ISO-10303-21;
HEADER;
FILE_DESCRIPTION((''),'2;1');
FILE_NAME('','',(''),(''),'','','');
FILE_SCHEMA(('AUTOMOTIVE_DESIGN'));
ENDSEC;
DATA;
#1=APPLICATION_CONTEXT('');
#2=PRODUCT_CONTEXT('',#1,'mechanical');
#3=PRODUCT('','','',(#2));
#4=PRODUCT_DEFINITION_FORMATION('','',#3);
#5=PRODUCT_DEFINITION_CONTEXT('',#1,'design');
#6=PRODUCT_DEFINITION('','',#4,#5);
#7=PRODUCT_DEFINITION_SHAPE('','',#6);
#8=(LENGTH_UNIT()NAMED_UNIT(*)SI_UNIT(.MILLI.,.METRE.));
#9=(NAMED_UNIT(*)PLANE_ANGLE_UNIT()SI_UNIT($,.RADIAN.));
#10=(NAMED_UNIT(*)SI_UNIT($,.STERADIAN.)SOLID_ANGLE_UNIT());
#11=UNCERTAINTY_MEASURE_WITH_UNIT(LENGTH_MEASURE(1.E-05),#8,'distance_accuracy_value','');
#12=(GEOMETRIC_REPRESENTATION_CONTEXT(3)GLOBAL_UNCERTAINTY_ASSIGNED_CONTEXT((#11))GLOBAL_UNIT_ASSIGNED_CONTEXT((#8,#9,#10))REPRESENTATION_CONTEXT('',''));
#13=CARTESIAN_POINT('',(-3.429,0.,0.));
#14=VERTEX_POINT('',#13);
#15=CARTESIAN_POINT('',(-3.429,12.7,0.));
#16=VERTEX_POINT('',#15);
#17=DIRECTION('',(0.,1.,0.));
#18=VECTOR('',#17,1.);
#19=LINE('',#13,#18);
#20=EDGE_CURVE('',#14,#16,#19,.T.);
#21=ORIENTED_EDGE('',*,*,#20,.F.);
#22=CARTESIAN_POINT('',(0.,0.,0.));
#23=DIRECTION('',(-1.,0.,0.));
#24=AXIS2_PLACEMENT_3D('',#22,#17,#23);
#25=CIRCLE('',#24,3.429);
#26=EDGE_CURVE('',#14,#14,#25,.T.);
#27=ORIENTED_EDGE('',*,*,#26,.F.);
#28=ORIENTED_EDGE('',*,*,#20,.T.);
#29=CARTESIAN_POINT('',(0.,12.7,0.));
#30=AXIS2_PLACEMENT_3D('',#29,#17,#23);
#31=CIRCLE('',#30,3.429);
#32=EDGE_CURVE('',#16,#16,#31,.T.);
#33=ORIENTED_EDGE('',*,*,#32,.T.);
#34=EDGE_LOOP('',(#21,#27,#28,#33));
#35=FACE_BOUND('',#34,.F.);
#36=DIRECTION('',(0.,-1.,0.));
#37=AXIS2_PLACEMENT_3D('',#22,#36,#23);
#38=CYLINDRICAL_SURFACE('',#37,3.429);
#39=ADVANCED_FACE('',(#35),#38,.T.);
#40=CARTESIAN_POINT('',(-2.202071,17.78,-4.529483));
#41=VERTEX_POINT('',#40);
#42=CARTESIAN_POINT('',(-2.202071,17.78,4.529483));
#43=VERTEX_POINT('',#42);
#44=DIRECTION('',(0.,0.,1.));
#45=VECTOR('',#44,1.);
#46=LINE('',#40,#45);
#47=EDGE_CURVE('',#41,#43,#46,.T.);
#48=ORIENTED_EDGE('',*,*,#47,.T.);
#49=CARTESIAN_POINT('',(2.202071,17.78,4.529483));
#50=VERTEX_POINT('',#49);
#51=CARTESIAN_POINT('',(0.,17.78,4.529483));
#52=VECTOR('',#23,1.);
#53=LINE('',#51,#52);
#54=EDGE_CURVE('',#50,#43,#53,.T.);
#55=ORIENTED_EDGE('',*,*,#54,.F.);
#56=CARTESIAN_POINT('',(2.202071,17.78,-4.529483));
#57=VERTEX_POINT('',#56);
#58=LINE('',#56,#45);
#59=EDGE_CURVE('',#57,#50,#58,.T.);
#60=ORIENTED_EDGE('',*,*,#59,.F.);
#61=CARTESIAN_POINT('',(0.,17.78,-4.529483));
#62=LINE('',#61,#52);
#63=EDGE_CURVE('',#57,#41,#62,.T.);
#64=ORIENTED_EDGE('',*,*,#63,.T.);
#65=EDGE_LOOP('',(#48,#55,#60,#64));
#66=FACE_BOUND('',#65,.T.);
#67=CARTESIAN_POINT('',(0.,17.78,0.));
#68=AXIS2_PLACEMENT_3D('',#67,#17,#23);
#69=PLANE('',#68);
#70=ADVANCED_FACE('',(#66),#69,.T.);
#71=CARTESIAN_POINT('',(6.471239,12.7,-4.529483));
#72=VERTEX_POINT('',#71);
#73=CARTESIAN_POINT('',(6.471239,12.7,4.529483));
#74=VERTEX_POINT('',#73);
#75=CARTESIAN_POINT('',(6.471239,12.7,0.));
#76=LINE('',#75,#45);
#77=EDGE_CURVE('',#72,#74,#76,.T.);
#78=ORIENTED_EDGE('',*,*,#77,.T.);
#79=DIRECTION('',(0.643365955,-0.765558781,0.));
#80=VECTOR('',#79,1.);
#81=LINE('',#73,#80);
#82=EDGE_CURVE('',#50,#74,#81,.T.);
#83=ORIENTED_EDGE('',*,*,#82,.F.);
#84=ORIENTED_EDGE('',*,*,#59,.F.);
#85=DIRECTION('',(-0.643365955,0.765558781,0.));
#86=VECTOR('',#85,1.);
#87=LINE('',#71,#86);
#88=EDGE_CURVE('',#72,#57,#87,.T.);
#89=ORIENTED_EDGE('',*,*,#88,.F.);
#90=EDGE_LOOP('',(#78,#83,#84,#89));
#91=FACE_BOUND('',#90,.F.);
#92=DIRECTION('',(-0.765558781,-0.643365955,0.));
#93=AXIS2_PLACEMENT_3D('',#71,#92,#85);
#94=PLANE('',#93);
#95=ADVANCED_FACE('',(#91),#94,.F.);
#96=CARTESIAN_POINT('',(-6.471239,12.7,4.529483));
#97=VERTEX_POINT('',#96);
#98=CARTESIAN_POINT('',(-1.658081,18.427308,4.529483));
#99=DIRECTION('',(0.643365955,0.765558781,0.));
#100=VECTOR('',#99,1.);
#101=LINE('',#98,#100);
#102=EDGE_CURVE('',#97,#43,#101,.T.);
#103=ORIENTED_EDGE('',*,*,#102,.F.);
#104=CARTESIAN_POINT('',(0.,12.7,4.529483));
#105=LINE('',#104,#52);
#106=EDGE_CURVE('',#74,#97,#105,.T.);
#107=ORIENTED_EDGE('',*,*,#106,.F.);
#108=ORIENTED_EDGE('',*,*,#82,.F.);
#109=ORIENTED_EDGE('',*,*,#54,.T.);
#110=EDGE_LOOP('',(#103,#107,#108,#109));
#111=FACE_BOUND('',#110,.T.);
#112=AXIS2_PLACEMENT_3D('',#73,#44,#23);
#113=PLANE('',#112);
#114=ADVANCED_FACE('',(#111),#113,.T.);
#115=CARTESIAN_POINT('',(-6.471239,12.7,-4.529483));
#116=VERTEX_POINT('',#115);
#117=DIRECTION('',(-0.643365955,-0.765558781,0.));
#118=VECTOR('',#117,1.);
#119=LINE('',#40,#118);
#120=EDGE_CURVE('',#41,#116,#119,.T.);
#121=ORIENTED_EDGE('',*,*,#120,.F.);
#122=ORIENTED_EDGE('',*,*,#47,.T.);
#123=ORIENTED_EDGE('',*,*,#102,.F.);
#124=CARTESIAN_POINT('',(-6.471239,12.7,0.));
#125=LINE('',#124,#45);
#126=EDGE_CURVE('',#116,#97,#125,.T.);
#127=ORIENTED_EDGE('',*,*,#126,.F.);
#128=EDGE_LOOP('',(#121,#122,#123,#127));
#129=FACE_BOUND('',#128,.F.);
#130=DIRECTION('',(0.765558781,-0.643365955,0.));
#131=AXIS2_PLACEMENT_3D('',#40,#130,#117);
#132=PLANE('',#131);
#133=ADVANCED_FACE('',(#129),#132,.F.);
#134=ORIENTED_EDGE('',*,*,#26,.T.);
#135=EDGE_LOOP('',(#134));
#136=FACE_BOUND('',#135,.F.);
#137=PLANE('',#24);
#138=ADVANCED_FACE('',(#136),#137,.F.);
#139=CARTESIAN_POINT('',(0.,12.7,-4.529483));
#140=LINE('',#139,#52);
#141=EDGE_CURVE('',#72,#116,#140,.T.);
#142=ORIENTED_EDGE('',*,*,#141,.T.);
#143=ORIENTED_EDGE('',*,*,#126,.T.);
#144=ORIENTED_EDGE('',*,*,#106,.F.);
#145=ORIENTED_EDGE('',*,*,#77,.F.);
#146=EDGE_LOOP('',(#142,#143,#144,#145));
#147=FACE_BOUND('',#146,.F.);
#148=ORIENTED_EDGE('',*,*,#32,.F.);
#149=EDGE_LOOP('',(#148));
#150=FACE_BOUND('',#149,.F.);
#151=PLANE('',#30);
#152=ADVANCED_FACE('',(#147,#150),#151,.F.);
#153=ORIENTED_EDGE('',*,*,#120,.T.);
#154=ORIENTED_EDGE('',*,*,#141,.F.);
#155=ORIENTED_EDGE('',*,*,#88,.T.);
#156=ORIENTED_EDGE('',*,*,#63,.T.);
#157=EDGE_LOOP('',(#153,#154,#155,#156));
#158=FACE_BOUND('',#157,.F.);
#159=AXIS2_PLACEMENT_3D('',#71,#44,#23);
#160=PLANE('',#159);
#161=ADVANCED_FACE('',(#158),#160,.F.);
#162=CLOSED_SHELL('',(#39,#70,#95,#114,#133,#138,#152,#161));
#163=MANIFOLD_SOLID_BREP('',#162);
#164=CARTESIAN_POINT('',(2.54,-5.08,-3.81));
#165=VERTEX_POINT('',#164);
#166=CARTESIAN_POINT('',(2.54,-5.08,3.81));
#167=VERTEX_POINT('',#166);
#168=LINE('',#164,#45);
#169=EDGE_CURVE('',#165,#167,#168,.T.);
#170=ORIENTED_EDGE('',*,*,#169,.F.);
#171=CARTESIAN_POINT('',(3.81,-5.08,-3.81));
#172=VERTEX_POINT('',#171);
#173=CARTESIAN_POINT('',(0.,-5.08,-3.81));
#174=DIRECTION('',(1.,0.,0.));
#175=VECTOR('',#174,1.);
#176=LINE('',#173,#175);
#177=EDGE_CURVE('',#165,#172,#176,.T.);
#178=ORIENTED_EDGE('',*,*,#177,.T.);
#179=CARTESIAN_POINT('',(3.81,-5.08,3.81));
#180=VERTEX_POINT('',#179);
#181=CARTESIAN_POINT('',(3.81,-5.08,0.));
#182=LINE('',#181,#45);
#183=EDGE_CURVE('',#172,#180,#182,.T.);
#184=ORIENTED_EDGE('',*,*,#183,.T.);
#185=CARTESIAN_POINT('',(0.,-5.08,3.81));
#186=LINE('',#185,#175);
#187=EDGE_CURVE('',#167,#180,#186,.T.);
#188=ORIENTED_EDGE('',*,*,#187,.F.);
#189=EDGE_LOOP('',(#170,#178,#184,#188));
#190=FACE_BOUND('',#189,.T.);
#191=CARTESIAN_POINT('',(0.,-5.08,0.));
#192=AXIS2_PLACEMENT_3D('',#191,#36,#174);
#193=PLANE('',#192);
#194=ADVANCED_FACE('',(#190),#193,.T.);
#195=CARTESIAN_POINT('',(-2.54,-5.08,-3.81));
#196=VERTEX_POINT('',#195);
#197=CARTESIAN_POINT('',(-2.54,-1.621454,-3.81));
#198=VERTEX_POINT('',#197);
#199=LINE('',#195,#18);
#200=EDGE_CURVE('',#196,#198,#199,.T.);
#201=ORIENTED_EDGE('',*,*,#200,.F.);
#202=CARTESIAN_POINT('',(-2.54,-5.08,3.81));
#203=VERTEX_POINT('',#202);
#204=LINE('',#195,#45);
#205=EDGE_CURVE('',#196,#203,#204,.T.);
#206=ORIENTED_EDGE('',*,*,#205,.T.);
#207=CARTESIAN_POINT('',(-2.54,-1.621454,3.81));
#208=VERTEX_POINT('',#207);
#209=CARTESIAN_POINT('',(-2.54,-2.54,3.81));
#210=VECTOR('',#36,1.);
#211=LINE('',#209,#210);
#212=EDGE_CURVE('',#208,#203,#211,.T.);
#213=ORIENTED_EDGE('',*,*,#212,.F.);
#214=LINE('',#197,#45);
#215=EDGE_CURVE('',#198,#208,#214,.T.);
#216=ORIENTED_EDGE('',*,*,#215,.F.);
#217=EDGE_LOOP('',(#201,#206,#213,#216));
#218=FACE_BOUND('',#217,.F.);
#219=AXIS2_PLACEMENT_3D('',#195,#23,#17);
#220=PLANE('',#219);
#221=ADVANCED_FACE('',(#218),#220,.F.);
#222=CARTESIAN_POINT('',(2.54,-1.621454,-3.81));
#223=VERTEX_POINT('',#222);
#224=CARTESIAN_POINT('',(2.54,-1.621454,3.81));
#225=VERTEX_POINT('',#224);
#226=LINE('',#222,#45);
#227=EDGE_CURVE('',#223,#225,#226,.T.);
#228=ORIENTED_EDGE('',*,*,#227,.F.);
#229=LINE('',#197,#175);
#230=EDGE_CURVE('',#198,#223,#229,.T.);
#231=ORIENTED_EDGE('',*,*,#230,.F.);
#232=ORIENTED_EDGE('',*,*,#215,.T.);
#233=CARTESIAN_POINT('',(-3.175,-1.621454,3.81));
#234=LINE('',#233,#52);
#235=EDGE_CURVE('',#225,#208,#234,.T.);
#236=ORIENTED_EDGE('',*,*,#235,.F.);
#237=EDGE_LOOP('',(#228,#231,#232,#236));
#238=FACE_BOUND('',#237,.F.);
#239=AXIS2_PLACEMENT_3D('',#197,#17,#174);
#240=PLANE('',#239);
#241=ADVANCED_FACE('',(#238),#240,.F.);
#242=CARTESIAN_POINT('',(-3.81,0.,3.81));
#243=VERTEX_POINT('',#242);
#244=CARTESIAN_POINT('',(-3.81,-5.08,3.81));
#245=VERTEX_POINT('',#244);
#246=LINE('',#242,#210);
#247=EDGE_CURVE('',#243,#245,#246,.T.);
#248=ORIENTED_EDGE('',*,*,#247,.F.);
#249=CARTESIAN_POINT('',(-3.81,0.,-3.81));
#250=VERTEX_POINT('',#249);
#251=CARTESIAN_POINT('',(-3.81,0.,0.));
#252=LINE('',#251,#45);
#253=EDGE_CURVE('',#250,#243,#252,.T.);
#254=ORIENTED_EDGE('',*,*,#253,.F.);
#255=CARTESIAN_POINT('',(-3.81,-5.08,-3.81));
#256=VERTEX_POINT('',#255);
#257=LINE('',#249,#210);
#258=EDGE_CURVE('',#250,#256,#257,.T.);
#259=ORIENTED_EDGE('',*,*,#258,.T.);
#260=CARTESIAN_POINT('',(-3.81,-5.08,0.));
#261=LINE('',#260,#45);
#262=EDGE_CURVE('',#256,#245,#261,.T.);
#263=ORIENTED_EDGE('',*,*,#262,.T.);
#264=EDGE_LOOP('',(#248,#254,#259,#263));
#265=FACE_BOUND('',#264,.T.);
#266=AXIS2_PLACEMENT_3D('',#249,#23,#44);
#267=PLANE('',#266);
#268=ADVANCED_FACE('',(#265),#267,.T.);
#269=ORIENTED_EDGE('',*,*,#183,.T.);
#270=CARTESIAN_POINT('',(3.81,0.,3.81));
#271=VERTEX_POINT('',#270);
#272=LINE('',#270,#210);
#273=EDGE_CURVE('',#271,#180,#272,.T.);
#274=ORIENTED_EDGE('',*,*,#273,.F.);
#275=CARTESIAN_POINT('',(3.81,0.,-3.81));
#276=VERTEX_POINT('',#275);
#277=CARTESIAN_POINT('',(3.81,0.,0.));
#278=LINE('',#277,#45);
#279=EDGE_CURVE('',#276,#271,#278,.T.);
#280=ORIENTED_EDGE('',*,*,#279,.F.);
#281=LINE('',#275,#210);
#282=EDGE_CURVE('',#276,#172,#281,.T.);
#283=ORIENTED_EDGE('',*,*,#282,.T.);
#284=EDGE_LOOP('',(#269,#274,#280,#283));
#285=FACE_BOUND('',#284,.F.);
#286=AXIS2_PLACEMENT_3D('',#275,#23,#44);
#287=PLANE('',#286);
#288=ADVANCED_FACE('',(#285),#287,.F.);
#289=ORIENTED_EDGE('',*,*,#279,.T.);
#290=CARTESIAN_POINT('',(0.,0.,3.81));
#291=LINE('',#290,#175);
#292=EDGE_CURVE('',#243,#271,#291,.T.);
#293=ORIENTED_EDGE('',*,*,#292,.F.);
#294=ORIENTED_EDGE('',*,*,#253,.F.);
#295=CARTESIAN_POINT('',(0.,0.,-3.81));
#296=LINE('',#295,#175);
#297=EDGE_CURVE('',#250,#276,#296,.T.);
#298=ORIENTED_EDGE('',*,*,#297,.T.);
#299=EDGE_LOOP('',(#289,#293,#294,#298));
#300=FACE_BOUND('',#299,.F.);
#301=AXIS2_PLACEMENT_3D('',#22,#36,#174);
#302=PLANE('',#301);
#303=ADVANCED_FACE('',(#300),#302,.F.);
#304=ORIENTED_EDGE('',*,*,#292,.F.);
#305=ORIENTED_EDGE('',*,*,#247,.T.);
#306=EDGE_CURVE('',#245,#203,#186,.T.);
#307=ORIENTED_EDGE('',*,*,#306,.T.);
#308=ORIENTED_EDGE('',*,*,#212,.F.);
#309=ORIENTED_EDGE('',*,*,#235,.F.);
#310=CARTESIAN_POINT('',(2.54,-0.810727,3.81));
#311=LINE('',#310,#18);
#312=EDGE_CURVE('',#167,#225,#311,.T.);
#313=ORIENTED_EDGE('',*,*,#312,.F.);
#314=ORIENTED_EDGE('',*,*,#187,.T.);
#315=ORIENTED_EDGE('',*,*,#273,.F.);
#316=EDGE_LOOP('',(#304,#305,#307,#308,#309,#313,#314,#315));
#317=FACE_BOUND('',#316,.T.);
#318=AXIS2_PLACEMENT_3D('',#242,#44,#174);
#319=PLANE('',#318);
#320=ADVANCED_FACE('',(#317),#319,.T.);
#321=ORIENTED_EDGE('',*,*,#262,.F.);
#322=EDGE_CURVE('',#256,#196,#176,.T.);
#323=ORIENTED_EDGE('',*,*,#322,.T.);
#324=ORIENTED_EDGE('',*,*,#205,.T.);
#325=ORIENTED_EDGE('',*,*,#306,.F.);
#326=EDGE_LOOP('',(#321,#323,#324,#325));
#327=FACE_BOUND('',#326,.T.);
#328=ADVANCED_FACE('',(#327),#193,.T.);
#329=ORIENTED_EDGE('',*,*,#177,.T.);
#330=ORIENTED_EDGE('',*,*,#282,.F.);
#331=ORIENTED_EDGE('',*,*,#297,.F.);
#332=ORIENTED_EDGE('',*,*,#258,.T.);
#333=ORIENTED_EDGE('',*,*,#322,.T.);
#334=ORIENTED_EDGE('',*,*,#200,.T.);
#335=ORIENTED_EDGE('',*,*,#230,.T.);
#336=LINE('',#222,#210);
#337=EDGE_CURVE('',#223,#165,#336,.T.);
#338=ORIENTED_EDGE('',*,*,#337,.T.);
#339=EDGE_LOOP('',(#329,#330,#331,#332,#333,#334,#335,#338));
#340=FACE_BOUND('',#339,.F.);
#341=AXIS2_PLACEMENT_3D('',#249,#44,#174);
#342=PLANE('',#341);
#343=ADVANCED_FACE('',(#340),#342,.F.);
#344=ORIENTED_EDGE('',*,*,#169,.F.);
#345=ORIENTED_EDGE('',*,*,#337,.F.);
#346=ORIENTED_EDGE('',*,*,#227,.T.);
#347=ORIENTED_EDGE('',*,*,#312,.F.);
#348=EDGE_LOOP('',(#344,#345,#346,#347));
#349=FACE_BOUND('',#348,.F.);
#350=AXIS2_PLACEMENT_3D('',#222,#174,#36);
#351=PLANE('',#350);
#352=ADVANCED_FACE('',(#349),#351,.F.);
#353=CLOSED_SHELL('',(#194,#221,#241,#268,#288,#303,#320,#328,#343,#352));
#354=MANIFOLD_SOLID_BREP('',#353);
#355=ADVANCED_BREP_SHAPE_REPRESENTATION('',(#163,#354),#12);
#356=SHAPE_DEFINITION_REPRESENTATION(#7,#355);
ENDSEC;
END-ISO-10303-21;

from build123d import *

# Parameters (mm, degrees)
F0_W     = 7.62
F0_H     = 7.62
F1_DEPTH = 5.08
F3_DEPTH = 25.4
F4_R     = 3.429
F5_DEPTH = 12.7
F6_W     = 12.942478
F6_H     = 9.058966
F7_DEPTH = 5.08
F9_DEPTH = 25.4


with BuildPart() as f1:
    # F0 (on Front) → F1 (new body)
    with BuildSketch(Plane.XZ):
        Rectangle(F0_W, F0_H)
    extrude(amount=F1_DEPTH)

    # F2 (on face) → F3 (cut)
    with BuildSketch(Plane(origin=(0, 0, -3.81), x_dir=(1, 0, 0), z_dir=(0, 0, -1))):
        Polygon((-2.54, 1.621454), (0, 1.621454), (2.54, 1.621454), (2.54, 5.08), (0, 5.08), (-2.54, 5.08), align=None)
    extrude(amount=-F3_DEPTH, mode=Mode.SUBTRACT)


with BuildPart() as f5:
    # F4 (on face) → F5 (new body)
    with BuildSketch(Plane(origin=(0, 0, 0), x_dir=(-1, 0, 0), z_dir=(0, 1, 0))):
        Circle(F4_R)
    extrude(amount=F5_DEPTH)

    # F6 (on face) → F7 (join)
    with BuildSketch(Plane(origin=(0, 12.7, 0), x_dir=(-1, 0, 0), z_dir=(0, 1, 0))):
        Rectangle(F6_W, F6_H)
    extrude(amount=F7_DEPTH)

    # F8 (on face) → F9 (cut)
    with BuildSketch(Plane(origin=(0, 0, -4.529483), x_dir=(1, 0, 0), z_dir=(0, 0, -1))):
        Polygon((-2.202071, -17.78), (-6.471239, -12.7), (-6.471239, -17.78), align=None)
        Polygon((6.471239, -17.78), (6.471239, -12.7), (2.202071, -17.78), align=None)
    extrude(amount=-F9_DEPTH, mode=Mode.SUBTRACT)


solid = Compound([f1.part, f5.part])
